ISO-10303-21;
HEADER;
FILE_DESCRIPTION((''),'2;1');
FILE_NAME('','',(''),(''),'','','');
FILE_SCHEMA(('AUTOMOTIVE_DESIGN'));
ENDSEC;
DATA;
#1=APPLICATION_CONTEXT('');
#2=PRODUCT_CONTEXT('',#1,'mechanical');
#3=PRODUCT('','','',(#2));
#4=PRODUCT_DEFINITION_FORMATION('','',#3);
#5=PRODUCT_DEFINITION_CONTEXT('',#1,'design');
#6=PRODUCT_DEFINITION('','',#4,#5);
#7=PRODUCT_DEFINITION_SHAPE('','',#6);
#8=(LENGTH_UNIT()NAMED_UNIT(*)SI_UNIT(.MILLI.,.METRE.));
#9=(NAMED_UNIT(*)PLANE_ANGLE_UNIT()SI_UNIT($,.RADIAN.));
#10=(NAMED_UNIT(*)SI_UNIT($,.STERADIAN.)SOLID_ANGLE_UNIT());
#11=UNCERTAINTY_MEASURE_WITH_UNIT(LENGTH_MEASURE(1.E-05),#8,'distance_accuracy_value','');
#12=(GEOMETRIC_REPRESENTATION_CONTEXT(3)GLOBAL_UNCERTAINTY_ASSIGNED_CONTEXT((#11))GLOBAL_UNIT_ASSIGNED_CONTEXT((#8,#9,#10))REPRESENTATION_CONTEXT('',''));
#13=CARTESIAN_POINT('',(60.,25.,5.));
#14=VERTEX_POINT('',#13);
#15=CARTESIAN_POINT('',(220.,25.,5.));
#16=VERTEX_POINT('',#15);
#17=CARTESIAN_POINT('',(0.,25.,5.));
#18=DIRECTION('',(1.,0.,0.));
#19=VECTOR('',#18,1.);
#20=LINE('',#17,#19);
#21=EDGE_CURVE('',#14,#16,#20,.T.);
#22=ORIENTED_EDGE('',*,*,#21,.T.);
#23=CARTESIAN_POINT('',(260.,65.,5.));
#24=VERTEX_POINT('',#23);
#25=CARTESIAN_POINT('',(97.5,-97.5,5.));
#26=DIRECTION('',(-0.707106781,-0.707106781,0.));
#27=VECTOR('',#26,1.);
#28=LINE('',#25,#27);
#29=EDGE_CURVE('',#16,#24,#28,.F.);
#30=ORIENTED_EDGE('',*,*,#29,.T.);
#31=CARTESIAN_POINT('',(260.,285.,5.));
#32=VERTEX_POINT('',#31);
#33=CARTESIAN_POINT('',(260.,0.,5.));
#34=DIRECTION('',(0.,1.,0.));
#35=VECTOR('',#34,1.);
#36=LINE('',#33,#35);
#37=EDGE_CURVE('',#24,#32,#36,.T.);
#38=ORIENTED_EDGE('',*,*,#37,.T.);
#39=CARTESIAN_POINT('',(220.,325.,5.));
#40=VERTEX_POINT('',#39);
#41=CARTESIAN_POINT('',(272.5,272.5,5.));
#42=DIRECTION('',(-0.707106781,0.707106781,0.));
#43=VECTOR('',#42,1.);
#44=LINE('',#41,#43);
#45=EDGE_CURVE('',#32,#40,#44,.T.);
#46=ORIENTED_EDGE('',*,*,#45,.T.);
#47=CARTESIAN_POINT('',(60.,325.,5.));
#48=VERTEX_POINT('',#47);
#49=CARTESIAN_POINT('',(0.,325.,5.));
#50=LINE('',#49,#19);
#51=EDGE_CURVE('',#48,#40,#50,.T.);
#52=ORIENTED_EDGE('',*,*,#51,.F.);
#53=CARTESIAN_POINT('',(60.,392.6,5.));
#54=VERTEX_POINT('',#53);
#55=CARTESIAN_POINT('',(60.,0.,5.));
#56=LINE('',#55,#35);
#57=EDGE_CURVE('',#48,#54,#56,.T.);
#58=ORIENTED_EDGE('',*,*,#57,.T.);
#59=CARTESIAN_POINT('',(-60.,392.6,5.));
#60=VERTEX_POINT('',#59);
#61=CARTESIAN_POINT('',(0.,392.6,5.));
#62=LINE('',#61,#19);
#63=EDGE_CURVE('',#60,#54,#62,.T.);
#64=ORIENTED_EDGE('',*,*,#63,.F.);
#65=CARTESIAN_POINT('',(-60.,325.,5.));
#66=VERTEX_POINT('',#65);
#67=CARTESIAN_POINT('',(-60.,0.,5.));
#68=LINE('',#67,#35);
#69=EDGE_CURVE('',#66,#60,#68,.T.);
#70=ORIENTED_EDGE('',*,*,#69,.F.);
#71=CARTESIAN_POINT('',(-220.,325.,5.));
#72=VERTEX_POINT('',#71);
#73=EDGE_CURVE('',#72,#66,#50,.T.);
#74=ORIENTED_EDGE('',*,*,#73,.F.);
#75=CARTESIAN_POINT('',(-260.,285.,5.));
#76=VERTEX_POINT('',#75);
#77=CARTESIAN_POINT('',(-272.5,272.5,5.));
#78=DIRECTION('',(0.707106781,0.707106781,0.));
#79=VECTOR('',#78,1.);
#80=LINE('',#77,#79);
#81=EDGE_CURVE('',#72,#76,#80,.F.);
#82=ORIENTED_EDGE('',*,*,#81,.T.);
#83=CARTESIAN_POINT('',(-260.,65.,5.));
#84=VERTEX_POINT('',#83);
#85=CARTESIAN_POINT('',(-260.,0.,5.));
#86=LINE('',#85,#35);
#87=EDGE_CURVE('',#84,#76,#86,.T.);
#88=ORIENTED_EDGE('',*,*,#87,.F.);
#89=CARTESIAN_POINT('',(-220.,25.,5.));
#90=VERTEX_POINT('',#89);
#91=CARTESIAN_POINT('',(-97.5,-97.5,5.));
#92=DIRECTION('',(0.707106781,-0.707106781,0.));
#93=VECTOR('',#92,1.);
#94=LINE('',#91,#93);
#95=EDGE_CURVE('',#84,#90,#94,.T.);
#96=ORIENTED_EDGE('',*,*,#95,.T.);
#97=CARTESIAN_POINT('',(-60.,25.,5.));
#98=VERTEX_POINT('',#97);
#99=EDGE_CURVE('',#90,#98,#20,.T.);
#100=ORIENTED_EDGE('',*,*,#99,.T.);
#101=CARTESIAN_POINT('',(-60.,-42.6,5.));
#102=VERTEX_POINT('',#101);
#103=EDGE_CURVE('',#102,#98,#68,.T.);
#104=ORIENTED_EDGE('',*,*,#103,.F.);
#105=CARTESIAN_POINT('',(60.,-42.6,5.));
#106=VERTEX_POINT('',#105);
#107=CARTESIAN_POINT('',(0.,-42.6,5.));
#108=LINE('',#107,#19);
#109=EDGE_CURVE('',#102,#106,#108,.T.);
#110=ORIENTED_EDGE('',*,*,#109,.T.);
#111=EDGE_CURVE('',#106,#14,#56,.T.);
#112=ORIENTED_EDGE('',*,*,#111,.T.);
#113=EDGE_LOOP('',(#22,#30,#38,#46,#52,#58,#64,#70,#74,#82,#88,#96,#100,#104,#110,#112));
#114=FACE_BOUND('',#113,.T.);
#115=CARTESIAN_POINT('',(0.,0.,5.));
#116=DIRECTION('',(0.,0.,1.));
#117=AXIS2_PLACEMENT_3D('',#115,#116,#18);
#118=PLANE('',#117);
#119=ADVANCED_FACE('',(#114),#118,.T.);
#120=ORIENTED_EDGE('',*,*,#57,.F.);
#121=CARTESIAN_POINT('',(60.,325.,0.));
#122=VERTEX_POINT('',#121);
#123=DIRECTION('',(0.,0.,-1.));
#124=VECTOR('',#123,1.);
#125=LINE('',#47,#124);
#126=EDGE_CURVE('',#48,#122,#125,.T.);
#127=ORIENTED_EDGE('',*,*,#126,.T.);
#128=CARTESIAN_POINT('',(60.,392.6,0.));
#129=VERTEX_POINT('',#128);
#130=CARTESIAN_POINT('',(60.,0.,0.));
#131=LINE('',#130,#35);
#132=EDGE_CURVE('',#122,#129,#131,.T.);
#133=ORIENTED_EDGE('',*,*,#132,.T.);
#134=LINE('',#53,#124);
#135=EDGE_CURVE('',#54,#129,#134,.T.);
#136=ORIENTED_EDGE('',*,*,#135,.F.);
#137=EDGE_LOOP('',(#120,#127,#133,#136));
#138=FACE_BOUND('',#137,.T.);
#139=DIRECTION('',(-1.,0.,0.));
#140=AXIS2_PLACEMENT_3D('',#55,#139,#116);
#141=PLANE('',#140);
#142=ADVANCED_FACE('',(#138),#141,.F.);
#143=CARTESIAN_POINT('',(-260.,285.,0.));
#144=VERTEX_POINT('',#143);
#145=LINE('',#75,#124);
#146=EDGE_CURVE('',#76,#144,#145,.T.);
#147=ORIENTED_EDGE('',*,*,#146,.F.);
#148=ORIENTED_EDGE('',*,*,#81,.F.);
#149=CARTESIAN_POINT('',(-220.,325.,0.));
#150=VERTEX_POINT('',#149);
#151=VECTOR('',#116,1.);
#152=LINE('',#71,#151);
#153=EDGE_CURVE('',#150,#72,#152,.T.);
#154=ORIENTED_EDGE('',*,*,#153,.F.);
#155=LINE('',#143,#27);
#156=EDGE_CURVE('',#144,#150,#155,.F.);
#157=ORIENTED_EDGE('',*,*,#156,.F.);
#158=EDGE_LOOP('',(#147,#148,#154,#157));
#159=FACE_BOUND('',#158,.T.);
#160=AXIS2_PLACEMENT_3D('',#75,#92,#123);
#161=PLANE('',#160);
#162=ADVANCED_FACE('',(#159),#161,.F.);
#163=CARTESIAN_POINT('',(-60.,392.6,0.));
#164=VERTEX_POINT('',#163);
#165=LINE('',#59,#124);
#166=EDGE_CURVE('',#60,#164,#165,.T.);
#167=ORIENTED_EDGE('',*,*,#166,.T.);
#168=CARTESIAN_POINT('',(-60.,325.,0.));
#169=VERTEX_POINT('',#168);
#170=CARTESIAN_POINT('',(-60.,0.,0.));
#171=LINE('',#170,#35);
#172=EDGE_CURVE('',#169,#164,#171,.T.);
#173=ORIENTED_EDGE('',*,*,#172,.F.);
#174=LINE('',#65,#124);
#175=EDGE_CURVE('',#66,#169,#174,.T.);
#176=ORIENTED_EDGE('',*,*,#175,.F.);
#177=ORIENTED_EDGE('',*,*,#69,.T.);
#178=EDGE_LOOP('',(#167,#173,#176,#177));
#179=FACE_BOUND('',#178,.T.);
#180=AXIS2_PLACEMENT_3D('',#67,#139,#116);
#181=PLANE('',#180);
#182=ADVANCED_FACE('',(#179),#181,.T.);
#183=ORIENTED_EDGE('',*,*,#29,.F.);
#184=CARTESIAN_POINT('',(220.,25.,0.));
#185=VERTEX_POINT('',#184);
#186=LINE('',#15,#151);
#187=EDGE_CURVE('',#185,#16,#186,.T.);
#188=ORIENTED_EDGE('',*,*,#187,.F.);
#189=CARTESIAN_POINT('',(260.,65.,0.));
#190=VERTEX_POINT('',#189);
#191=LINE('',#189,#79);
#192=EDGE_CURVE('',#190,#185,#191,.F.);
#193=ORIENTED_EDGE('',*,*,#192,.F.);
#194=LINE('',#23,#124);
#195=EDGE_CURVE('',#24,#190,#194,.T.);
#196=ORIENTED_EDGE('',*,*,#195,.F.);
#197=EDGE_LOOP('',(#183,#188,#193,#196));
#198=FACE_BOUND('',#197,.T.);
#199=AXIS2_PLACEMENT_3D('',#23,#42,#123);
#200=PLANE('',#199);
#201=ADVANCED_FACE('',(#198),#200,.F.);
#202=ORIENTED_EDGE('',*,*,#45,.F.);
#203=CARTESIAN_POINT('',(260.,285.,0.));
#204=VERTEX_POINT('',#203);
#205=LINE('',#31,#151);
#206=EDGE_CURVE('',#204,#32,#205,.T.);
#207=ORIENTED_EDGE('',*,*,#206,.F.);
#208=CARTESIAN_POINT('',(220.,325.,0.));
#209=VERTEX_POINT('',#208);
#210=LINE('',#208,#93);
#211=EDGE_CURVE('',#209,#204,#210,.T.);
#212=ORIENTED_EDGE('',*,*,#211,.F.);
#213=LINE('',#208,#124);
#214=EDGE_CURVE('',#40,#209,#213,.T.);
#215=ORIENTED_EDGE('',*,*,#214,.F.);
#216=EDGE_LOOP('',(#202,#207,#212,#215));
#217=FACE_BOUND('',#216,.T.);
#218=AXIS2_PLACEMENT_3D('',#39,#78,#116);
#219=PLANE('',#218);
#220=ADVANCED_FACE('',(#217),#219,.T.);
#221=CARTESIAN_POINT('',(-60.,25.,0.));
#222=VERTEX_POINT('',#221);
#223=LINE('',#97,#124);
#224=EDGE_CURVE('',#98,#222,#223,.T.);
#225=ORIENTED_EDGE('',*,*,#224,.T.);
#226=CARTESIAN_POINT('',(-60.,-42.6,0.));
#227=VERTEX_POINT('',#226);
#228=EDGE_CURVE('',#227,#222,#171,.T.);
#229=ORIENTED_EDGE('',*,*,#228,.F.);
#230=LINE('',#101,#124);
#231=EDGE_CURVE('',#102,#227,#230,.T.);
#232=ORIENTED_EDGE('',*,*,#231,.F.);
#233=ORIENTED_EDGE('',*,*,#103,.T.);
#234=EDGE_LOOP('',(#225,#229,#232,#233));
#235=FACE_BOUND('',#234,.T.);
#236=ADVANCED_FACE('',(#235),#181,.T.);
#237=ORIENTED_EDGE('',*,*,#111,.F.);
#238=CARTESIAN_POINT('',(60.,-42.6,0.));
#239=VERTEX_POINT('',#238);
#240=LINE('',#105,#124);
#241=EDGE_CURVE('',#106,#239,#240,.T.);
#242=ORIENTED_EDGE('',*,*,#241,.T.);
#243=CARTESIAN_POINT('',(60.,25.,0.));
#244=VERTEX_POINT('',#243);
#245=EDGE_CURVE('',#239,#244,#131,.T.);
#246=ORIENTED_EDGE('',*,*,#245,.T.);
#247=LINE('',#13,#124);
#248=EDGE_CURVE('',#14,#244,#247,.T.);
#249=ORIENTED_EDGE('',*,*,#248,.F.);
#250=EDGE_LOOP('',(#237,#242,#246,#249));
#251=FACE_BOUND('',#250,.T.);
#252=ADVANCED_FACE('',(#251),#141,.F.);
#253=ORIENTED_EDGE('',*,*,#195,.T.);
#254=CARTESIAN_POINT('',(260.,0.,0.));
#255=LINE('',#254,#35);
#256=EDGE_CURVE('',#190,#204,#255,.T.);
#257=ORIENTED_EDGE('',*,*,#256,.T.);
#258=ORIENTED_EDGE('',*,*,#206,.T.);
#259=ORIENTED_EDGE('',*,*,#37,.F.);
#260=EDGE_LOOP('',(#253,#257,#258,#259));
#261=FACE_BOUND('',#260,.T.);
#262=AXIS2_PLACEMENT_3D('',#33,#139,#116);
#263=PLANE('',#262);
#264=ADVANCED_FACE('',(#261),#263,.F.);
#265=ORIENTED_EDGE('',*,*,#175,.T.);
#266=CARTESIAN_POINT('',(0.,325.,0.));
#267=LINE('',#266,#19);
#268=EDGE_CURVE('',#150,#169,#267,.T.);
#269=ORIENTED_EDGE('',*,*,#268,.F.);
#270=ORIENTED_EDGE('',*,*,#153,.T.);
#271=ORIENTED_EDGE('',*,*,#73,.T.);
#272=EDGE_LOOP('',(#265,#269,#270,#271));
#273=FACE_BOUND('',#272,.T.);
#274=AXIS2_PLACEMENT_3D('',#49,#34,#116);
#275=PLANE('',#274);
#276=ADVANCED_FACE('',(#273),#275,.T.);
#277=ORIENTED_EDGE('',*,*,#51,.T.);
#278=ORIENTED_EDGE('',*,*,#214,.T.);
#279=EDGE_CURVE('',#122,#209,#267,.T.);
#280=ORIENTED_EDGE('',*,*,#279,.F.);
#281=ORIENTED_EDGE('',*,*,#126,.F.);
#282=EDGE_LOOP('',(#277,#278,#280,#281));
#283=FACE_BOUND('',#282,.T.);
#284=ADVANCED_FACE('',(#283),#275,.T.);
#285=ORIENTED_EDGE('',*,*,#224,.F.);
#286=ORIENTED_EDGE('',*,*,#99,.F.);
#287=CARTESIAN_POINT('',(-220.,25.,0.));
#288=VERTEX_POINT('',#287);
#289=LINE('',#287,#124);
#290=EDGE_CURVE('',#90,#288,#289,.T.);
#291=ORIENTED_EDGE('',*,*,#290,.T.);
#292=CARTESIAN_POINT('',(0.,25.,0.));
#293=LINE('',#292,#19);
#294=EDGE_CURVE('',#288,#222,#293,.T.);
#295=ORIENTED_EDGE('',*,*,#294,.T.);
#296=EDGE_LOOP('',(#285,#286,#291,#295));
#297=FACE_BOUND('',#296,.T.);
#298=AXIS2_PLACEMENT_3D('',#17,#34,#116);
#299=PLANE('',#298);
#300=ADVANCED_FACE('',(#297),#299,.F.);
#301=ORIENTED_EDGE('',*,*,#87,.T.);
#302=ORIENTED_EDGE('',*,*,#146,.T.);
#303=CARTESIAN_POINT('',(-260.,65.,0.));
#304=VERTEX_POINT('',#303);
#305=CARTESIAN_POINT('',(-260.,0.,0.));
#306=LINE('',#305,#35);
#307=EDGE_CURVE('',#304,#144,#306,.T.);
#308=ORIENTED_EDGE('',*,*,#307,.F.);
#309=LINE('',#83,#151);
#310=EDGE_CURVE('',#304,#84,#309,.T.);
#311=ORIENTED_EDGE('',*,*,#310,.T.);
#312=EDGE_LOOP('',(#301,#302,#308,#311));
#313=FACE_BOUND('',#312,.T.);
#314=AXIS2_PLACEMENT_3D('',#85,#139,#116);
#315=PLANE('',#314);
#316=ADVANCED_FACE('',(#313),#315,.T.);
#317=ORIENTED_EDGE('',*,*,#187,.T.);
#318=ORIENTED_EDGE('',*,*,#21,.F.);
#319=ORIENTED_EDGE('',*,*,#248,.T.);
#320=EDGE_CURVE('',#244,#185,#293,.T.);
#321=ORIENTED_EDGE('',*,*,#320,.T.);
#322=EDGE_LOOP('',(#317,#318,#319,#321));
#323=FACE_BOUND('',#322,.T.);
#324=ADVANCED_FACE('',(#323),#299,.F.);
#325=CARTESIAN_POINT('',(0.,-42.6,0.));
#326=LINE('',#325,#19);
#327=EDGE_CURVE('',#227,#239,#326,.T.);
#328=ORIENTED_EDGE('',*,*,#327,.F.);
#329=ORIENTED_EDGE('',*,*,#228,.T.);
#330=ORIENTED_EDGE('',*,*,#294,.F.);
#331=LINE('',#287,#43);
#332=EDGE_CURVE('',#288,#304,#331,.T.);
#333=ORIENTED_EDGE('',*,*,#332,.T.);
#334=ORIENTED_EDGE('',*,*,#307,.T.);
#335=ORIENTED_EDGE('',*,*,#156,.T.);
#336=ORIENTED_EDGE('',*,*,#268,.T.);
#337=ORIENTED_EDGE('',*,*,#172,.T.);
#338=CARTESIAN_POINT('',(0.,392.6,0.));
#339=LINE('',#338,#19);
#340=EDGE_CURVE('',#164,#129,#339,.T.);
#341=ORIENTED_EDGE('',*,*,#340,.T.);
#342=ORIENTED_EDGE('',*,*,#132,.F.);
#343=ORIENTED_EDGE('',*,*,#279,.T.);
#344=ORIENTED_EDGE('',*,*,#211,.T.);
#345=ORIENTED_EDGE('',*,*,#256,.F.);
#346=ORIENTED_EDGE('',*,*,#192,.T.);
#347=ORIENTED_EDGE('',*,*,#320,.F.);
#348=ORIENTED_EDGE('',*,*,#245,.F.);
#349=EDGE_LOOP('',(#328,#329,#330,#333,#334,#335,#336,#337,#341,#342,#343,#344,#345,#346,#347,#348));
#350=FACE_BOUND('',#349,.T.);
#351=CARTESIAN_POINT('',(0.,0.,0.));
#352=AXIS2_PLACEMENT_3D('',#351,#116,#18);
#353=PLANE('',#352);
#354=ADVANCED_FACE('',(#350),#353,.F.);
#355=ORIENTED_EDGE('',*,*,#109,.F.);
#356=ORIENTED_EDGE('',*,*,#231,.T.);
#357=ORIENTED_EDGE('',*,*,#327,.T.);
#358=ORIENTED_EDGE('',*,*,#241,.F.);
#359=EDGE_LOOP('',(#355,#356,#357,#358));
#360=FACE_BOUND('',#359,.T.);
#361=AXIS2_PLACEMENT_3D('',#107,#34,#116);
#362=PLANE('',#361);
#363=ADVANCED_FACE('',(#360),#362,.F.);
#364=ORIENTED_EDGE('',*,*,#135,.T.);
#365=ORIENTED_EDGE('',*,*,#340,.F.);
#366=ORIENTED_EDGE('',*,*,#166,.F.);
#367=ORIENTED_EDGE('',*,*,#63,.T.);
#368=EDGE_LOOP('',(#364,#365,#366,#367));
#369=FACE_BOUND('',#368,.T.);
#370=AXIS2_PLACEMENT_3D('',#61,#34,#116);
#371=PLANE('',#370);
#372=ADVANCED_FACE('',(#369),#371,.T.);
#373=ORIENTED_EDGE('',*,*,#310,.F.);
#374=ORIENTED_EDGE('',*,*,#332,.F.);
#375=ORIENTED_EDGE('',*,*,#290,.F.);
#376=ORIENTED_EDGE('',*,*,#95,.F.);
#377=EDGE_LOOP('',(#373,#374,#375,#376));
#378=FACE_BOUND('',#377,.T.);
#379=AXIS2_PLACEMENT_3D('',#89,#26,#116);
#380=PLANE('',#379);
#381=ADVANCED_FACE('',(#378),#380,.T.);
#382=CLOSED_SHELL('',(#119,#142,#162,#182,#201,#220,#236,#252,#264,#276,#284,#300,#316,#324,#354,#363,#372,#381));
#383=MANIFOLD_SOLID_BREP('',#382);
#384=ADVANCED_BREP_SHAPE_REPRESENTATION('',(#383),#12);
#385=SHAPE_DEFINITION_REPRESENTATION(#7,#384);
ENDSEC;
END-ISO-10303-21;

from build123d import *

# Parameters (mm, degrees)
SKETCH1_W           = 120
SKETCH1_H           = 67.6
SKETCH1_W_2         = 200
SKETCH1_H_2         = 300
BOSS_EXTRUDE1_DEPTH = 5
CHAMFER1_SIZE       = 40


with BuildPart() as part:
    # Sketch1 → Boss-Extrude1 (new body)
    with BuildSketch(Plane.XY):
        with Locations((0, 358.8)):
            Rectangle(SKETCH1_W, SKETCH1_H)
        with Locations((-160, 175)):
            Rectangle(SKETCH1_W_2, SKETCH1_H_2)
        with Locations((0, 175)):
            Rectangle(SKETCH1_W, SKETCH1_H_2)
        with Locations((160, 175)):
            Rectangle(SKETCH1_W_2, SKETCH1_H_2)
        with Locations((0, -8.8)):
            Rectangle(SKETCH1_W, SKETCH1_H)
    extrude(amount=BOSS_EXTRUDE1_DEPTH)

    # Chamfer1
    chamfer1_edges = [part.edges().sort_by_distance(p)[0] for p in [
        (260, 325, 2.5),
        (260, 25, 2.5),
        (-260, 25, 2.5),
        (-260, 325, 2.5),
    ]]
    chamfer(chamfer1_edges, length=CHAMFER1_SIZE)


solid = part.part
